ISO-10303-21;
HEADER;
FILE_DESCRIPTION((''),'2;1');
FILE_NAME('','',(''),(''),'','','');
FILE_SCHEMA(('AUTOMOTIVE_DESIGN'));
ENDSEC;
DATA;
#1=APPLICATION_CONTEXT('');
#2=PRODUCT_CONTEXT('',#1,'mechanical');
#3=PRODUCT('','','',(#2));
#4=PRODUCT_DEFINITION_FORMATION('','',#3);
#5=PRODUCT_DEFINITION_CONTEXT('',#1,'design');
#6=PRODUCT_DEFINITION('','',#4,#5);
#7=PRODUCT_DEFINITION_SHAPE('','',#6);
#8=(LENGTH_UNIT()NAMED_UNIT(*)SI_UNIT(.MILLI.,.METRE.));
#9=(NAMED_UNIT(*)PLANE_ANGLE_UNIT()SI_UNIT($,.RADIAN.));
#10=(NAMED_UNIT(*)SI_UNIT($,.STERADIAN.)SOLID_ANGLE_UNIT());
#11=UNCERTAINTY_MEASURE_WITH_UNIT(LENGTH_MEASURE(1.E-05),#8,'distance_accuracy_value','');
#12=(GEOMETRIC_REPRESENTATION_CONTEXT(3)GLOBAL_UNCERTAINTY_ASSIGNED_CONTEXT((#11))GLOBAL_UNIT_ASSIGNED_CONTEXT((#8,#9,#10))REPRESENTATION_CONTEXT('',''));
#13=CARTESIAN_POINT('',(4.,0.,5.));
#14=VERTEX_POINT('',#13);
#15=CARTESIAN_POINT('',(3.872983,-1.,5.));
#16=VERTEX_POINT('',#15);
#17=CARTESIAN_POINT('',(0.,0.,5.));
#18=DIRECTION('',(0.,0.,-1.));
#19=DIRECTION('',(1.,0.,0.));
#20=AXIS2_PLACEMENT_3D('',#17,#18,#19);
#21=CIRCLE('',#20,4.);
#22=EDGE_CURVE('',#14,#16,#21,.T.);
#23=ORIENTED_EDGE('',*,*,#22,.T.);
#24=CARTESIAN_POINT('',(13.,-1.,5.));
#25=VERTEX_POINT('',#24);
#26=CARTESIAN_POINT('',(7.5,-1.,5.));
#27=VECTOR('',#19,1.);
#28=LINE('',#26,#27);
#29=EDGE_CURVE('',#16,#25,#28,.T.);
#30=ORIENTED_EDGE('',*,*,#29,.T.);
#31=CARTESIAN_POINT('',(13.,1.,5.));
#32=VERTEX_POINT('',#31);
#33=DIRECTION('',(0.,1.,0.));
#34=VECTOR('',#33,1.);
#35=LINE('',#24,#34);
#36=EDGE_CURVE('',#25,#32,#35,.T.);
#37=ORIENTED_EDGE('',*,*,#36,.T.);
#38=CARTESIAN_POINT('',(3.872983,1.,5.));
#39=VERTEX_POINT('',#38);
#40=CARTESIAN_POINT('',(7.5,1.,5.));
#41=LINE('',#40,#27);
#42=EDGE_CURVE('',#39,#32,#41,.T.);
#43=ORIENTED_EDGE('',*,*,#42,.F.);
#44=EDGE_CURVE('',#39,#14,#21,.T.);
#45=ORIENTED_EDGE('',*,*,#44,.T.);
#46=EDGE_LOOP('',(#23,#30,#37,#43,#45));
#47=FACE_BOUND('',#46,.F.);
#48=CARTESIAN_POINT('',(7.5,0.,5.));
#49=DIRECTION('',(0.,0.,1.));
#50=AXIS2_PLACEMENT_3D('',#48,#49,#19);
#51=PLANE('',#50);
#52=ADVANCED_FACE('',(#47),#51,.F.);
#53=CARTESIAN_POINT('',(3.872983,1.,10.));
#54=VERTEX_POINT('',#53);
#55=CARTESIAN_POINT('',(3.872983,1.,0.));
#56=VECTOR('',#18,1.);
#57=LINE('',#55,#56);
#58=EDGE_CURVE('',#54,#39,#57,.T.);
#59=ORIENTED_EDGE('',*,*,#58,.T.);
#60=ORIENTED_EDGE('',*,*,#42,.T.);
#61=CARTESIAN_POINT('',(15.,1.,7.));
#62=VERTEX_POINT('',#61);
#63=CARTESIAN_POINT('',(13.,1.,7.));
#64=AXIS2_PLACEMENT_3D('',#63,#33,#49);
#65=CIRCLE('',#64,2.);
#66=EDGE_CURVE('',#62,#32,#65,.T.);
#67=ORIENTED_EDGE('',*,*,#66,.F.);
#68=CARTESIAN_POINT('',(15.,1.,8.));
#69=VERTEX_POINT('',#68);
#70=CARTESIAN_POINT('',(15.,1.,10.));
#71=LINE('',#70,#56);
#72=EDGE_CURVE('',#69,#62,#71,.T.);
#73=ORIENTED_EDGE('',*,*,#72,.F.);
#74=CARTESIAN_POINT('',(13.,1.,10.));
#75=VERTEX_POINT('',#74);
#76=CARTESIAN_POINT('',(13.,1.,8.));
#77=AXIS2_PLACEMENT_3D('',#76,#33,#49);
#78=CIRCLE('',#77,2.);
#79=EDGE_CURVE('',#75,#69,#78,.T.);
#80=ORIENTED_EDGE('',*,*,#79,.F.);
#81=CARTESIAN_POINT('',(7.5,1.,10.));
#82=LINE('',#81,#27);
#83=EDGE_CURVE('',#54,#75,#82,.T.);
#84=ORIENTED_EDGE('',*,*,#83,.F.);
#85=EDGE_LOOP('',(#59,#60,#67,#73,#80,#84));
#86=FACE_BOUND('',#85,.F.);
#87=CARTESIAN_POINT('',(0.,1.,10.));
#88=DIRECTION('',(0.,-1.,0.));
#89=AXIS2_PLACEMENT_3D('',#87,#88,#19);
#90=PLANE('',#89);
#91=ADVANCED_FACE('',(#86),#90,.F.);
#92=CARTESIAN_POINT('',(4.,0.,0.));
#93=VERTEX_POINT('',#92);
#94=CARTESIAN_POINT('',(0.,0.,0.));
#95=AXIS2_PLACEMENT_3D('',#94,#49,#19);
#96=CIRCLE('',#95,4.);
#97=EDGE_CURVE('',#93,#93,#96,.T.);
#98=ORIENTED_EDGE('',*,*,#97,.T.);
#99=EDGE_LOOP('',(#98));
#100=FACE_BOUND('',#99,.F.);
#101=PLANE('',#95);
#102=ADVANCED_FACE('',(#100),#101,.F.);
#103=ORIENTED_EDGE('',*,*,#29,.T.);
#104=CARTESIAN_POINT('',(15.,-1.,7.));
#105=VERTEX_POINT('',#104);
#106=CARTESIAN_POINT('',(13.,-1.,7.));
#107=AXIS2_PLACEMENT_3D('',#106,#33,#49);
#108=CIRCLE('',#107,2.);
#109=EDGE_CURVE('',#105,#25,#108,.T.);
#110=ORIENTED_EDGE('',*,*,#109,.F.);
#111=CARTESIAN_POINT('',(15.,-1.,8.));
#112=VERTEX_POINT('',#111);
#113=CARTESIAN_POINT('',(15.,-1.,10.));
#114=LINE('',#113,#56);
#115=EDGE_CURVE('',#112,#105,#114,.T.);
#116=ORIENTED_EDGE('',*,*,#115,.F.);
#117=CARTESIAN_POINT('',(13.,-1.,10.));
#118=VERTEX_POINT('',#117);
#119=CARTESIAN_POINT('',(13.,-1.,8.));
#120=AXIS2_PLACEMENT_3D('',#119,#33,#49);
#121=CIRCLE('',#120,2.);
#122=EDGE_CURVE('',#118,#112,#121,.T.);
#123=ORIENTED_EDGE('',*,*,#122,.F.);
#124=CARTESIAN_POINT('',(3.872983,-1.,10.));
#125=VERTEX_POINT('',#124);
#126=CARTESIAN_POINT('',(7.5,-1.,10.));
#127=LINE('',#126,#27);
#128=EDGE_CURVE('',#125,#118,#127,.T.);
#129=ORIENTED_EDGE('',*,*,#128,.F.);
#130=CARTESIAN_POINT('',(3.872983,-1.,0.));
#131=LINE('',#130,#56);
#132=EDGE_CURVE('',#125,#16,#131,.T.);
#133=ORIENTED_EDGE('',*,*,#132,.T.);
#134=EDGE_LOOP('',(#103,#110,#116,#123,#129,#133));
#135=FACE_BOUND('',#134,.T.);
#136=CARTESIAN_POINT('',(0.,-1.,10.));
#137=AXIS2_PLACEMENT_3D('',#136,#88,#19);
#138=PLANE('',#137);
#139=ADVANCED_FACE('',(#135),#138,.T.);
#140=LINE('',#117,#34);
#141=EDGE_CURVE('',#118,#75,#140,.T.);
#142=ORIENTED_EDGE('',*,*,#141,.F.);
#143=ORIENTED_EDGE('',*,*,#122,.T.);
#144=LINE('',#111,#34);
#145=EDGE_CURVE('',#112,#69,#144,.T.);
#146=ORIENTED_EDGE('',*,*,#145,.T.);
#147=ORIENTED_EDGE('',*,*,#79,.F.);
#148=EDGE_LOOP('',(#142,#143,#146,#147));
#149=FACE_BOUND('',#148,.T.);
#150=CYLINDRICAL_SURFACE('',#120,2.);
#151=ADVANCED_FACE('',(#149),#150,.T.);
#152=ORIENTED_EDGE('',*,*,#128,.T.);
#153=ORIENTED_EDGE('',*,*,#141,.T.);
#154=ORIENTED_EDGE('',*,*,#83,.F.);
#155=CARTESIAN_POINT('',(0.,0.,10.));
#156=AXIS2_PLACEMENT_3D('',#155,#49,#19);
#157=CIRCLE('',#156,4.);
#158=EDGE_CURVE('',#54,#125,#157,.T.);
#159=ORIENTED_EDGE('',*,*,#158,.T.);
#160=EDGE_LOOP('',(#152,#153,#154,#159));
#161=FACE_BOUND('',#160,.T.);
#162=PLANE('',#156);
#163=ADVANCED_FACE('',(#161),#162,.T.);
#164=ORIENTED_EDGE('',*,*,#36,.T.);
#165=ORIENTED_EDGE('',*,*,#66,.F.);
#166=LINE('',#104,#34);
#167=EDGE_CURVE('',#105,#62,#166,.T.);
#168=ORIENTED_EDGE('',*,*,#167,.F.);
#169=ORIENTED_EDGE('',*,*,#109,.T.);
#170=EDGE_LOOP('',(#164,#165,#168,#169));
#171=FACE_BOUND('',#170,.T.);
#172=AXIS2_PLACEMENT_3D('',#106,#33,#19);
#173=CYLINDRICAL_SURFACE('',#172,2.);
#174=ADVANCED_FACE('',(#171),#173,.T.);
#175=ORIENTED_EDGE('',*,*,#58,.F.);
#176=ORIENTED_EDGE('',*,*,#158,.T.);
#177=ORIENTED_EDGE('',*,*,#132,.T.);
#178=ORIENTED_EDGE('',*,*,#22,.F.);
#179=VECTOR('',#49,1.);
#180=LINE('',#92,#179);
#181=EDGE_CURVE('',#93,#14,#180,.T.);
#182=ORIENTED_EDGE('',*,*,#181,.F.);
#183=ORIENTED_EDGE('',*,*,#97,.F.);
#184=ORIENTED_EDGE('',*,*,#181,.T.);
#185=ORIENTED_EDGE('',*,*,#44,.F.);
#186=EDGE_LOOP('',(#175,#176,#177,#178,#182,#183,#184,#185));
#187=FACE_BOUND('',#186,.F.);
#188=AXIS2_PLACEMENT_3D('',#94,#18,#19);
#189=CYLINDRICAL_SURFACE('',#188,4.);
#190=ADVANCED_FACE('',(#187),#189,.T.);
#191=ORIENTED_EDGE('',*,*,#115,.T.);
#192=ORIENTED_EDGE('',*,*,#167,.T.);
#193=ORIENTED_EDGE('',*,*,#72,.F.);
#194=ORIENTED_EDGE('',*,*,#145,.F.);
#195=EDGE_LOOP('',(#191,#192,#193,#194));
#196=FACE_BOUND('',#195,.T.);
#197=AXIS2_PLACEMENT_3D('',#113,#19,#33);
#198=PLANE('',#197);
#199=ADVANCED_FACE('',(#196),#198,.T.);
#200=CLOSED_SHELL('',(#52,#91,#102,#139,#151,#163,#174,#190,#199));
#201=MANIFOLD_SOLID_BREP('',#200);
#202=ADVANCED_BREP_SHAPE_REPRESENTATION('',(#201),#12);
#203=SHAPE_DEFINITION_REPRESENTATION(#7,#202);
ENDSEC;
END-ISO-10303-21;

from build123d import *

# Parameters (mm, degrees)
F0_R     = 4
F1_DEPTH = 10
F2_W     = 15
F2_H     = 2
F3_DEPTH = 5
F4_R     = 2


with BuildPart() as f1:
    # F0 (on Top) → F1 (new body)
    with BuildSketch(Plane.XY):
        Circle(F0_R)
    extrude(amount=F1_DEPTH)

    # F2 (on face) → F3 (join)
    with BuildSketch(Plane.XY.offset(10)):
        with Locations((7.5, 0)):
            Rectangle(F2_W, F2_H)
    extrude(amount=-F3_DEPTH)

    # F4
    f4_edges = [f1.edges().sort_by_distance(p)[0] for p in [
        (15, 0, 10),
        (15, 0, 5),
    ]]
    fillet(f4_edges, radius=F4_R)


solid = f1.part
